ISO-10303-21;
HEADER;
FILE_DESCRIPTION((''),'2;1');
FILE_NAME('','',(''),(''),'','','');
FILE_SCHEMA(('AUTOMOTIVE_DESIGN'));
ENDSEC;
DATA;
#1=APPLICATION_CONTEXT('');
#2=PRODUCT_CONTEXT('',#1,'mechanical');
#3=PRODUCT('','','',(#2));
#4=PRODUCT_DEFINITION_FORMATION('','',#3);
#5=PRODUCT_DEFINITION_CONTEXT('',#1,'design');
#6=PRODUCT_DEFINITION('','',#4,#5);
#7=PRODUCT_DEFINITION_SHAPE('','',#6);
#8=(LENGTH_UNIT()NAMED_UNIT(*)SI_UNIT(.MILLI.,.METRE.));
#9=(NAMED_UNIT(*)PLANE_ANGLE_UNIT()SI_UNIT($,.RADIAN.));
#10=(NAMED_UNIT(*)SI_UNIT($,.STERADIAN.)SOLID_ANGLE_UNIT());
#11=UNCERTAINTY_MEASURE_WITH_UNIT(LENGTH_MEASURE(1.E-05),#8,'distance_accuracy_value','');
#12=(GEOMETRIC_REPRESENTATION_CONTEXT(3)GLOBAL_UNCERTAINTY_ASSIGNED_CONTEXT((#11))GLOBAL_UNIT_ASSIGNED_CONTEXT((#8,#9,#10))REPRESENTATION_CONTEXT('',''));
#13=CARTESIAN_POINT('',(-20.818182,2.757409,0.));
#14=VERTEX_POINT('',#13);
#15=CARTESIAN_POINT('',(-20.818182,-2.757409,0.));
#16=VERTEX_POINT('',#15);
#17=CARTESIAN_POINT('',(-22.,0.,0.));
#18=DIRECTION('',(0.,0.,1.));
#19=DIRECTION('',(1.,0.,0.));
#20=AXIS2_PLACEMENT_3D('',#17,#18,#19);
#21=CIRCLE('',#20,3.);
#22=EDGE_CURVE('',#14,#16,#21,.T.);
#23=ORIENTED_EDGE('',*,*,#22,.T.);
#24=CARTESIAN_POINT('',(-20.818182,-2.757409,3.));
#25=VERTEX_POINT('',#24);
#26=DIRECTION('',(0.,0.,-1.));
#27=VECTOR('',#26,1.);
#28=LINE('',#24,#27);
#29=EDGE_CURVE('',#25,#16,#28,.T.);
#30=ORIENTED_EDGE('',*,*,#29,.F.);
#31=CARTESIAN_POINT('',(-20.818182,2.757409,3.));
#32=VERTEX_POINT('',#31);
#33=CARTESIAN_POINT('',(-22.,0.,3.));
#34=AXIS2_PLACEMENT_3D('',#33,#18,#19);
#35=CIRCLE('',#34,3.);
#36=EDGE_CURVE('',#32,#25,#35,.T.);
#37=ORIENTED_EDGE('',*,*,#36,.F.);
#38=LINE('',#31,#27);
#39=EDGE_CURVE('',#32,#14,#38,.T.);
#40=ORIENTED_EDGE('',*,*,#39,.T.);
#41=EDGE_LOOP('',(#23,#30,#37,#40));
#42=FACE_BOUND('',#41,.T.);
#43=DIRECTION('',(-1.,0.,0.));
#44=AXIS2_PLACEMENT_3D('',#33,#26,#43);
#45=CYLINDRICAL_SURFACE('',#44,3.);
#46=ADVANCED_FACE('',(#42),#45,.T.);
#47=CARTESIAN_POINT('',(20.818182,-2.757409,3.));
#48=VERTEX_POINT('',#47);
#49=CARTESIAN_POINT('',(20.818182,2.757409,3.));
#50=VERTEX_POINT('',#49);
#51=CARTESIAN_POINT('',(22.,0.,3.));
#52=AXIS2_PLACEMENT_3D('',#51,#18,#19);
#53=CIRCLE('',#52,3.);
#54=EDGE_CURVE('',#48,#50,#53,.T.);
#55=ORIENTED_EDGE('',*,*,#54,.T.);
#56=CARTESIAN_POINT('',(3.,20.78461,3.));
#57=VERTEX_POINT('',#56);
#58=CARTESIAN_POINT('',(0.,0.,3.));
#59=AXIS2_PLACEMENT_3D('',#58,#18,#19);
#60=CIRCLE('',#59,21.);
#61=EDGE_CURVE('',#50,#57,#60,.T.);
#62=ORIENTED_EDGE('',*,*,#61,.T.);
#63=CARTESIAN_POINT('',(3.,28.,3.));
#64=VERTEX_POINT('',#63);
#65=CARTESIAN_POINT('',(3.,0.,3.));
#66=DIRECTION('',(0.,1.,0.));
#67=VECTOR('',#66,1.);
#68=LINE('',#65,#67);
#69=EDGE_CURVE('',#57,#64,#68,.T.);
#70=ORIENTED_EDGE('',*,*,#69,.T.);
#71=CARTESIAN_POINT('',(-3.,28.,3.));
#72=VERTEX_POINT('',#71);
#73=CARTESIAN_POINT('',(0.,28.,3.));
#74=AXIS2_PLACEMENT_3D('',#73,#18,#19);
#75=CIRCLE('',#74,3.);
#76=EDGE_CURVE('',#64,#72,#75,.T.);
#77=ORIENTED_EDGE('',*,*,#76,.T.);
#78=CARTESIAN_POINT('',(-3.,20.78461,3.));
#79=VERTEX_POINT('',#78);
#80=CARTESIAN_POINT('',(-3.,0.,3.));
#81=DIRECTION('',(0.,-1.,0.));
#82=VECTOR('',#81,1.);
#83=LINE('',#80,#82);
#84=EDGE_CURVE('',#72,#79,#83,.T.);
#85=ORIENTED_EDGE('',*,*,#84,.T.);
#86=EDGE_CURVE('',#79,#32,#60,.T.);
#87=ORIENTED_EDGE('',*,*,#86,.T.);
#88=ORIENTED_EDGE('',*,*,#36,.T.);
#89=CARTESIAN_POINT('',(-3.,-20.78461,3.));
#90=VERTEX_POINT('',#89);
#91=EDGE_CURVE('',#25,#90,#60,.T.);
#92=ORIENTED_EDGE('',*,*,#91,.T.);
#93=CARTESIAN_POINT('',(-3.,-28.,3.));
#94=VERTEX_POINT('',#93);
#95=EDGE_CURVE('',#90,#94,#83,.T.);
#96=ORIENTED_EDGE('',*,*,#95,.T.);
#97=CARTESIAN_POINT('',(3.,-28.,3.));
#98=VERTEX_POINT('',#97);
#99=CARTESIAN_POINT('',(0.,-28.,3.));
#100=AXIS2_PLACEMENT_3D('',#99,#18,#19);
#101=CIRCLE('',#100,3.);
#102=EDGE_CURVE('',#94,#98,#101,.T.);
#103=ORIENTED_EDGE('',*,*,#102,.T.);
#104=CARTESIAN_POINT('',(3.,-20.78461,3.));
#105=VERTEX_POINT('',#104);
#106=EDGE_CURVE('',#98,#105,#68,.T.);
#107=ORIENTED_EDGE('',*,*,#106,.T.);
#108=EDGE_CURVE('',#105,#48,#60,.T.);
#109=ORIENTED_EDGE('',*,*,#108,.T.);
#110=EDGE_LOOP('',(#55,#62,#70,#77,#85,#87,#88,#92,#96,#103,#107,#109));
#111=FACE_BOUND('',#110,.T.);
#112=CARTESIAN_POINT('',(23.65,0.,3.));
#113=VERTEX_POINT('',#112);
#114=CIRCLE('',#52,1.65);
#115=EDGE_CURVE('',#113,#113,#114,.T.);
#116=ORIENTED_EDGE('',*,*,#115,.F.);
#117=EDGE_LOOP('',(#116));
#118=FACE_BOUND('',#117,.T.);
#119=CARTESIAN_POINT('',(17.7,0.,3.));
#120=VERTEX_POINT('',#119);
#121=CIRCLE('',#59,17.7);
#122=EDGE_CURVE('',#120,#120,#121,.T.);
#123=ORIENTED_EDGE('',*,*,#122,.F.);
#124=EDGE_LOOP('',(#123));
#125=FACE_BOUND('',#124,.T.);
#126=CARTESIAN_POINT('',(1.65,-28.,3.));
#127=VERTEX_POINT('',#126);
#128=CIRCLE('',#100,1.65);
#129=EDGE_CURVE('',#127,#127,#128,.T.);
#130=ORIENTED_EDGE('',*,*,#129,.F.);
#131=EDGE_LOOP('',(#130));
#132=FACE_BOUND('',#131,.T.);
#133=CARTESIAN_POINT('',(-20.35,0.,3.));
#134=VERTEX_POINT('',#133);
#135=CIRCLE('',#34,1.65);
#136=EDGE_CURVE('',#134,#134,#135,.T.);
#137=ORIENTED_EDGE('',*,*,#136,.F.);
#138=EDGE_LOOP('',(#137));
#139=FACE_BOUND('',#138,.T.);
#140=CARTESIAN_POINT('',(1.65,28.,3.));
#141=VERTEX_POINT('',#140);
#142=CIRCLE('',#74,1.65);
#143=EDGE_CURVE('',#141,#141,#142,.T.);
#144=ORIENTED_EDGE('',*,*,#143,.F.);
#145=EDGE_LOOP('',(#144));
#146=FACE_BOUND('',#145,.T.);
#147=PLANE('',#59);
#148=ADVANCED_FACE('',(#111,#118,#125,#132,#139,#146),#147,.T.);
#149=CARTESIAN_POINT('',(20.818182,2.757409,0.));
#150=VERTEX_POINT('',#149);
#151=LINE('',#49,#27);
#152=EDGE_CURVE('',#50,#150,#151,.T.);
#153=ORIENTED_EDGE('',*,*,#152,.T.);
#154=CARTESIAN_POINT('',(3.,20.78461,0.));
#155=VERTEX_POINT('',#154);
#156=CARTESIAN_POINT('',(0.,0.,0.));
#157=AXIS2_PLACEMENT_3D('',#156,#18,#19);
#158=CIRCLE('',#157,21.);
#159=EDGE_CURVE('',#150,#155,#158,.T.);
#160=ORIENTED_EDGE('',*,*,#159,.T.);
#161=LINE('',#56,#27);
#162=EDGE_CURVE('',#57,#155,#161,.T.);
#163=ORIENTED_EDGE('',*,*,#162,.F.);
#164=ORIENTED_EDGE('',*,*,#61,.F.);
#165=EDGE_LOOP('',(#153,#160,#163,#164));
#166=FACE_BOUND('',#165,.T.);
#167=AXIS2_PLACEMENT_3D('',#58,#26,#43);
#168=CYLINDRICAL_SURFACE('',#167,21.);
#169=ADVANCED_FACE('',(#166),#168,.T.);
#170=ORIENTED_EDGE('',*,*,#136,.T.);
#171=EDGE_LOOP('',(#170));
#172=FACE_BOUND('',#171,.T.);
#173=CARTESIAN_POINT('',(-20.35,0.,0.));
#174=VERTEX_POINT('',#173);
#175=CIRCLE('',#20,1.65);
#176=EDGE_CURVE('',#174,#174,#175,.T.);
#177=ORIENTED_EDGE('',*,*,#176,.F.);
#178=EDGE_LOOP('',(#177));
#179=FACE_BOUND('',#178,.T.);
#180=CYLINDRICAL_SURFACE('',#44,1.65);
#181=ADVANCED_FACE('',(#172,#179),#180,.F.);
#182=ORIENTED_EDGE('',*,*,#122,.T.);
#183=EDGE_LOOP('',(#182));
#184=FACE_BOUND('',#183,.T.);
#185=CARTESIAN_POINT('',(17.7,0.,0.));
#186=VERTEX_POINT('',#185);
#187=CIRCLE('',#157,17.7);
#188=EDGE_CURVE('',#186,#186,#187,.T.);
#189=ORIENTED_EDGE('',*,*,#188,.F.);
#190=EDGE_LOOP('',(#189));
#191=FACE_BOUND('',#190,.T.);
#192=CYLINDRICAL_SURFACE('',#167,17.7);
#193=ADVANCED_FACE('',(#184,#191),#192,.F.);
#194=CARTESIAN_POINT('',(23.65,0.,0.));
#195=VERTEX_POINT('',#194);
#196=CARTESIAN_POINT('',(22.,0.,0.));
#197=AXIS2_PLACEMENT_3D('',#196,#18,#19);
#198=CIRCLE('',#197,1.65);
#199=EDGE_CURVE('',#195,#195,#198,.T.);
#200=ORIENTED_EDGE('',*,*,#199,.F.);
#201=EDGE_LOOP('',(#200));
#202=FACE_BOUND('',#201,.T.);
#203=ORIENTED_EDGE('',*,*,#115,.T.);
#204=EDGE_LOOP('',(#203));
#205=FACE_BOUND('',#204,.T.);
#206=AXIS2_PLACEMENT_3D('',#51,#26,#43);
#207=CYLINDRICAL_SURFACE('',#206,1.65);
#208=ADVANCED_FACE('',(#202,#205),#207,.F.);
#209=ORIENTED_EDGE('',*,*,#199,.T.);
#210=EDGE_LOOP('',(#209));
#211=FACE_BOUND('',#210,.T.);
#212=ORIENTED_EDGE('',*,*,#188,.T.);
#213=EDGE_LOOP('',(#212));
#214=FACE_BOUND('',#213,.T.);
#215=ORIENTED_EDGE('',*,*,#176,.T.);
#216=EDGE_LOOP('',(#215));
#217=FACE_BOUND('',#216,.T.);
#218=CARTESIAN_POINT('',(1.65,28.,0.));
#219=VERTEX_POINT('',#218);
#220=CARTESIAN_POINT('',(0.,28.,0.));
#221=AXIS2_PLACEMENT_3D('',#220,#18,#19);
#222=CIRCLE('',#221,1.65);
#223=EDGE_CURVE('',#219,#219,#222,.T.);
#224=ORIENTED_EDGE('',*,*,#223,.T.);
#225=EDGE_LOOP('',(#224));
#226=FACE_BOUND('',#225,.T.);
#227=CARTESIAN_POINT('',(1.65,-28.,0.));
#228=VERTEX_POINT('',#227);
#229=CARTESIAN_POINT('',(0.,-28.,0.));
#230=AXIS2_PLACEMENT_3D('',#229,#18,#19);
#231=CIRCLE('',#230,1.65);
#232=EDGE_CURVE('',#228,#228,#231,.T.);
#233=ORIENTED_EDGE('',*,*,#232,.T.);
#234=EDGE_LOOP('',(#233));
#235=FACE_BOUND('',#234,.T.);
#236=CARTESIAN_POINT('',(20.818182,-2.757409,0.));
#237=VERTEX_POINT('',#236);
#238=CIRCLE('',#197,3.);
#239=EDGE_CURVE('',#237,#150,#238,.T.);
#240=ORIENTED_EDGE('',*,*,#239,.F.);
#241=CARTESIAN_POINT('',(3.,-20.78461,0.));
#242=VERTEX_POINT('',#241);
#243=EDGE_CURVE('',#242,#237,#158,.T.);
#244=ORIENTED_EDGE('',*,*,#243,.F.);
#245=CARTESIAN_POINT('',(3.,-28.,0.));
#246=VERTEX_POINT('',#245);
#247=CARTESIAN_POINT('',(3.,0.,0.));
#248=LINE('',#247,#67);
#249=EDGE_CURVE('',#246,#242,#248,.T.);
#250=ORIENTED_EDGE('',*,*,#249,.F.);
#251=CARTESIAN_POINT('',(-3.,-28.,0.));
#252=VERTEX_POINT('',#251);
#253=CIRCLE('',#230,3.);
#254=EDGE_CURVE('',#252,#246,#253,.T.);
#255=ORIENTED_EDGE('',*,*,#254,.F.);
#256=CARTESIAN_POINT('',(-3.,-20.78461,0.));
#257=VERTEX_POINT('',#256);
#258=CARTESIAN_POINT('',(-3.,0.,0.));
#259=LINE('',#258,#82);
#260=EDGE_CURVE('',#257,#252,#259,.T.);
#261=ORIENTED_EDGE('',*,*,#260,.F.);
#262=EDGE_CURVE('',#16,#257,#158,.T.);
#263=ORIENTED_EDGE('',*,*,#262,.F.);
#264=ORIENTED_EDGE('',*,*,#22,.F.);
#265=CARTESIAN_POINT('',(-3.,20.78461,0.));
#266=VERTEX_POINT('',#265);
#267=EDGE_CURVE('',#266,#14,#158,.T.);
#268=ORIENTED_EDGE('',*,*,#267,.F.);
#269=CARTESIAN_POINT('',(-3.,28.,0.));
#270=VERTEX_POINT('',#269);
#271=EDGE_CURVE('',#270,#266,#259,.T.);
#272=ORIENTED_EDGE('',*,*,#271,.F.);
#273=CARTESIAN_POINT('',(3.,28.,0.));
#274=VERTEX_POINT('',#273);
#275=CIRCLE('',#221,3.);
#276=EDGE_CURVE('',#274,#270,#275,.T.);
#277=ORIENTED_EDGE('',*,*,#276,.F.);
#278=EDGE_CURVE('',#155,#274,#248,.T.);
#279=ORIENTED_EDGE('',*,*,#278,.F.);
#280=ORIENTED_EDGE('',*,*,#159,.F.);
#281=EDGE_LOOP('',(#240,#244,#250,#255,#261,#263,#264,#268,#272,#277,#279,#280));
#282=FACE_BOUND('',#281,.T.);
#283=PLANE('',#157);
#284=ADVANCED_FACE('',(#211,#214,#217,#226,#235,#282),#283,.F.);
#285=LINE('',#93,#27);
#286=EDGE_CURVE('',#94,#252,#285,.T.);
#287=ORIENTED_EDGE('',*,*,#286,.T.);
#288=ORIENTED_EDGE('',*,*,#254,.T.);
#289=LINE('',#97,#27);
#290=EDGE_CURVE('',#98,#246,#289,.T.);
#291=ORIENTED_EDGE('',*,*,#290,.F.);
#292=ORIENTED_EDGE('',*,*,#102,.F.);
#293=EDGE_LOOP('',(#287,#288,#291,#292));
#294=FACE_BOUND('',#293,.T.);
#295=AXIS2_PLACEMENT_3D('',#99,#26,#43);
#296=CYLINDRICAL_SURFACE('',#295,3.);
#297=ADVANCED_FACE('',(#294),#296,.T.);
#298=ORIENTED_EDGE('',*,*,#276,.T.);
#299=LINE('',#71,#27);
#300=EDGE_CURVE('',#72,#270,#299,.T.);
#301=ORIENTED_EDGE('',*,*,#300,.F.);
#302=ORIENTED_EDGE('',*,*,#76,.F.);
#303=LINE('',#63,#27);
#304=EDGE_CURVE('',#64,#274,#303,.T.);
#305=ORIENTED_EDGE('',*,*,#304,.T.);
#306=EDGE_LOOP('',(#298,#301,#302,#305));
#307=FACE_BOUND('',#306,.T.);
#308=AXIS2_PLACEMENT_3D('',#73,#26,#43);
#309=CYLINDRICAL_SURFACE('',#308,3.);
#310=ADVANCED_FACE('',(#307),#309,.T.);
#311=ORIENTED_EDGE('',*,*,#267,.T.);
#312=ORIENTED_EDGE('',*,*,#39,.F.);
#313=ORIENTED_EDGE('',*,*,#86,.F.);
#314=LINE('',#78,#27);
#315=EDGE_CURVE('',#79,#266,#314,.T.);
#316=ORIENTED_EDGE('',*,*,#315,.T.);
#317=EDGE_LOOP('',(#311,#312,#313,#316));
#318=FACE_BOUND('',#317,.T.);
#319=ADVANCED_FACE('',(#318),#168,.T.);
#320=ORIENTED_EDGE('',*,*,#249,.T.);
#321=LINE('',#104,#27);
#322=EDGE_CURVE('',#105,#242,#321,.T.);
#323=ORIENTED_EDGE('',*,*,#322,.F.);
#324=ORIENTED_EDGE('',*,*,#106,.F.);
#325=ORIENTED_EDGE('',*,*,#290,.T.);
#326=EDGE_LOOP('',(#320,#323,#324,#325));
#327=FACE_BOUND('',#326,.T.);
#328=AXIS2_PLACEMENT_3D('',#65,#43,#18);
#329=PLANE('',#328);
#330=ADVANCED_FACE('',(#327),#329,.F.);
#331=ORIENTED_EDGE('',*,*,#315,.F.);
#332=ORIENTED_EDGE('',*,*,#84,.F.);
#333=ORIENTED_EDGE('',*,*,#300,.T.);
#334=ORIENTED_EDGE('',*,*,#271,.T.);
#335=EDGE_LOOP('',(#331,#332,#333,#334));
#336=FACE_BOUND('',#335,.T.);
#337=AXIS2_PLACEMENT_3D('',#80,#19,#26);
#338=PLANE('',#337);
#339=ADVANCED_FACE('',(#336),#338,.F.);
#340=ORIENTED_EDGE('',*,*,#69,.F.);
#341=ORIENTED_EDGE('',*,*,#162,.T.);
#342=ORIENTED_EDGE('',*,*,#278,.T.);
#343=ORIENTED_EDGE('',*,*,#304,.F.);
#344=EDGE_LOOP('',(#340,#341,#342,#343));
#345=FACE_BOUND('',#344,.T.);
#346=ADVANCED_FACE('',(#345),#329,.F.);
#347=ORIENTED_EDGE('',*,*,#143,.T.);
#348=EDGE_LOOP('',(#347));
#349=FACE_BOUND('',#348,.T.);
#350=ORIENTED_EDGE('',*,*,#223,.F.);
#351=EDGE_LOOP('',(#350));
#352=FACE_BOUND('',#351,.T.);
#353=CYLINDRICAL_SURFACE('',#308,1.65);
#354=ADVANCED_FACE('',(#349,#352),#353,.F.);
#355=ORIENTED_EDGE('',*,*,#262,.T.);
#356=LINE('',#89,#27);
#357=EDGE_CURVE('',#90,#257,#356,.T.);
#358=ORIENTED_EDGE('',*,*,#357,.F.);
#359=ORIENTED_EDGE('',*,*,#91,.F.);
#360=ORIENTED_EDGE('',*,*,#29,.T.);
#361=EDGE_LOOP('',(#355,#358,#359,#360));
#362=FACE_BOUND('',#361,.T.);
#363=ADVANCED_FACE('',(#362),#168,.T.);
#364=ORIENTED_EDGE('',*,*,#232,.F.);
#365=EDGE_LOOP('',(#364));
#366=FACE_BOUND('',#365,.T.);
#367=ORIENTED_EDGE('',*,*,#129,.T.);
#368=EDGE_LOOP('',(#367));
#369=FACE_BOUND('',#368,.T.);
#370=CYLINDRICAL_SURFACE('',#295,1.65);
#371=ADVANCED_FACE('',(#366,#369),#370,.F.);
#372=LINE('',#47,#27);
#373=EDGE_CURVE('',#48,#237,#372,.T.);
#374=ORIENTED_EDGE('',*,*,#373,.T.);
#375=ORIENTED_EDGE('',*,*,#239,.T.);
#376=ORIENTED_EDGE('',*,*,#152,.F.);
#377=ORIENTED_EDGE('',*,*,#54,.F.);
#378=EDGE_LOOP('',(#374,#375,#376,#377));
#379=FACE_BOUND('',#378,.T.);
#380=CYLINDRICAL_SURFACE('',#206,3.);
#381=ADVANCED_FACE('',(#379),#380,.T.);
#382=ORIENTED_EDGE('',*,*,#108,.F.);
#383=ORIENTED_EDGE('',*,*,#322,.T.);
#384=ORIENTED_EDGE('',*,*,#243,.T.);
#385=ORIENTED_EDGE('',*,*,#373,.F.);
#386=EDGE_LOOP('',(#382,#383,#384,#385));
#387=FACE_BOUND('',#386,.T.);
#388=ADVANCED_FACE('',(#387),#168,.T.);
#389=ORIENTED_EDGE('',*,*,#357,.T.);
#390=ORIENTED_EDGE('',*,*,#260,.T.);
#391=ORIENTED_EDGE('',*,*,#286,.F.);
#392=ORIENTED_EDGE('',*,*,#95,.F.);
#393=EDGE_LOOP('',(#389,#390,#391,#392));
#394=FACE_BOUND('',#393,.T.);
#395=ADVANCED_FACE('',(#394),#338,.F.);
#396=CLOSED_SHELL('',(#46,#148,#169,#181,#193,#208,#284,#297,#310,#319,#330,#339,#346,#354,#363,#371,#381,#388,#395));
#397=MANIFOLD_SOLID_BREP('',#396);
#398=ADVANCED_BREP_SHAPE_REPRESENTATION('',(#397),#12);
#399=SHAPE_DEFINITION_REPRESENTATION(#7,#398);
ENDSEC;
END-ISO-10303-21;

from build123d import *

# Parameters (mm, degrees)
SKETCH_1_R      = 1.65
SKETCH_1_R_2    = 17.7
EXTRUDE_1_DEPTH = 3


with BuildPart() as part:
    # 草图1 → 凸台-拉伸1 (new body)
    with BuildSketch(Plane.XY):
        with BuildLine():
            Line((3, 20.784609691), (3, 28))
            ThreePointArc((3, 28), (0, 31), (-3, 28))
            Line((-3, 28), (-3, 20.784609691))
            ThreePointArc((-3, 20.784609691), (-14.935576159, 14.762403761), (-20.818181818, 2.757409252))
            ThreePointArc((-20.818181818, 2.757409252), (-25, 0), (-20.818181818, -2.757409252))
            ThreePointArc((-20.818181818, -2.757409252), (-14.935576159, -14.762403761), (-3, -20.784609691))
            Line((-3, -20.784609691), (-3, -28))
            ThreePointArc((-3, -28), (0, -31), (3, -28))
            Line((3, -28), (3, -20.784609691))
            ThreePointArc((3, -20.784609691), (14.935576159, -14.762403761), (20.818181818, -2.757409252))
            ThreePointArc((20.818181818, -2.757409252), (25, 0), (20.818181818, 2.757409252))
            ThreePointArc((20.818181818, 2.757409252), (14.935576159, 14.762403761), (3, 20.784609691))
        make_face()
        with Locations((0, 28)):
            Circle(SKETCH_1_R, mode=Mode.SUBTRACT)
        Circle(SKETCH_1_R_2, mode=Mode.SUBTRACT)
        with Locations((-22, 0)):
            Circle(SKETCH_1_R, mode=Mode.SUBTRACT)
        with Locations((22, 0)):
            Circle(SKETCH_1_R, mode=Mode.SUBTRACT)
        with Locations((0, -28)):
            Circle(SKETCH_1_R, mode=Mode.SUBTRACT)
    extrude(amount=EXTRUDE_1_DEPTH)


solid = part.part
